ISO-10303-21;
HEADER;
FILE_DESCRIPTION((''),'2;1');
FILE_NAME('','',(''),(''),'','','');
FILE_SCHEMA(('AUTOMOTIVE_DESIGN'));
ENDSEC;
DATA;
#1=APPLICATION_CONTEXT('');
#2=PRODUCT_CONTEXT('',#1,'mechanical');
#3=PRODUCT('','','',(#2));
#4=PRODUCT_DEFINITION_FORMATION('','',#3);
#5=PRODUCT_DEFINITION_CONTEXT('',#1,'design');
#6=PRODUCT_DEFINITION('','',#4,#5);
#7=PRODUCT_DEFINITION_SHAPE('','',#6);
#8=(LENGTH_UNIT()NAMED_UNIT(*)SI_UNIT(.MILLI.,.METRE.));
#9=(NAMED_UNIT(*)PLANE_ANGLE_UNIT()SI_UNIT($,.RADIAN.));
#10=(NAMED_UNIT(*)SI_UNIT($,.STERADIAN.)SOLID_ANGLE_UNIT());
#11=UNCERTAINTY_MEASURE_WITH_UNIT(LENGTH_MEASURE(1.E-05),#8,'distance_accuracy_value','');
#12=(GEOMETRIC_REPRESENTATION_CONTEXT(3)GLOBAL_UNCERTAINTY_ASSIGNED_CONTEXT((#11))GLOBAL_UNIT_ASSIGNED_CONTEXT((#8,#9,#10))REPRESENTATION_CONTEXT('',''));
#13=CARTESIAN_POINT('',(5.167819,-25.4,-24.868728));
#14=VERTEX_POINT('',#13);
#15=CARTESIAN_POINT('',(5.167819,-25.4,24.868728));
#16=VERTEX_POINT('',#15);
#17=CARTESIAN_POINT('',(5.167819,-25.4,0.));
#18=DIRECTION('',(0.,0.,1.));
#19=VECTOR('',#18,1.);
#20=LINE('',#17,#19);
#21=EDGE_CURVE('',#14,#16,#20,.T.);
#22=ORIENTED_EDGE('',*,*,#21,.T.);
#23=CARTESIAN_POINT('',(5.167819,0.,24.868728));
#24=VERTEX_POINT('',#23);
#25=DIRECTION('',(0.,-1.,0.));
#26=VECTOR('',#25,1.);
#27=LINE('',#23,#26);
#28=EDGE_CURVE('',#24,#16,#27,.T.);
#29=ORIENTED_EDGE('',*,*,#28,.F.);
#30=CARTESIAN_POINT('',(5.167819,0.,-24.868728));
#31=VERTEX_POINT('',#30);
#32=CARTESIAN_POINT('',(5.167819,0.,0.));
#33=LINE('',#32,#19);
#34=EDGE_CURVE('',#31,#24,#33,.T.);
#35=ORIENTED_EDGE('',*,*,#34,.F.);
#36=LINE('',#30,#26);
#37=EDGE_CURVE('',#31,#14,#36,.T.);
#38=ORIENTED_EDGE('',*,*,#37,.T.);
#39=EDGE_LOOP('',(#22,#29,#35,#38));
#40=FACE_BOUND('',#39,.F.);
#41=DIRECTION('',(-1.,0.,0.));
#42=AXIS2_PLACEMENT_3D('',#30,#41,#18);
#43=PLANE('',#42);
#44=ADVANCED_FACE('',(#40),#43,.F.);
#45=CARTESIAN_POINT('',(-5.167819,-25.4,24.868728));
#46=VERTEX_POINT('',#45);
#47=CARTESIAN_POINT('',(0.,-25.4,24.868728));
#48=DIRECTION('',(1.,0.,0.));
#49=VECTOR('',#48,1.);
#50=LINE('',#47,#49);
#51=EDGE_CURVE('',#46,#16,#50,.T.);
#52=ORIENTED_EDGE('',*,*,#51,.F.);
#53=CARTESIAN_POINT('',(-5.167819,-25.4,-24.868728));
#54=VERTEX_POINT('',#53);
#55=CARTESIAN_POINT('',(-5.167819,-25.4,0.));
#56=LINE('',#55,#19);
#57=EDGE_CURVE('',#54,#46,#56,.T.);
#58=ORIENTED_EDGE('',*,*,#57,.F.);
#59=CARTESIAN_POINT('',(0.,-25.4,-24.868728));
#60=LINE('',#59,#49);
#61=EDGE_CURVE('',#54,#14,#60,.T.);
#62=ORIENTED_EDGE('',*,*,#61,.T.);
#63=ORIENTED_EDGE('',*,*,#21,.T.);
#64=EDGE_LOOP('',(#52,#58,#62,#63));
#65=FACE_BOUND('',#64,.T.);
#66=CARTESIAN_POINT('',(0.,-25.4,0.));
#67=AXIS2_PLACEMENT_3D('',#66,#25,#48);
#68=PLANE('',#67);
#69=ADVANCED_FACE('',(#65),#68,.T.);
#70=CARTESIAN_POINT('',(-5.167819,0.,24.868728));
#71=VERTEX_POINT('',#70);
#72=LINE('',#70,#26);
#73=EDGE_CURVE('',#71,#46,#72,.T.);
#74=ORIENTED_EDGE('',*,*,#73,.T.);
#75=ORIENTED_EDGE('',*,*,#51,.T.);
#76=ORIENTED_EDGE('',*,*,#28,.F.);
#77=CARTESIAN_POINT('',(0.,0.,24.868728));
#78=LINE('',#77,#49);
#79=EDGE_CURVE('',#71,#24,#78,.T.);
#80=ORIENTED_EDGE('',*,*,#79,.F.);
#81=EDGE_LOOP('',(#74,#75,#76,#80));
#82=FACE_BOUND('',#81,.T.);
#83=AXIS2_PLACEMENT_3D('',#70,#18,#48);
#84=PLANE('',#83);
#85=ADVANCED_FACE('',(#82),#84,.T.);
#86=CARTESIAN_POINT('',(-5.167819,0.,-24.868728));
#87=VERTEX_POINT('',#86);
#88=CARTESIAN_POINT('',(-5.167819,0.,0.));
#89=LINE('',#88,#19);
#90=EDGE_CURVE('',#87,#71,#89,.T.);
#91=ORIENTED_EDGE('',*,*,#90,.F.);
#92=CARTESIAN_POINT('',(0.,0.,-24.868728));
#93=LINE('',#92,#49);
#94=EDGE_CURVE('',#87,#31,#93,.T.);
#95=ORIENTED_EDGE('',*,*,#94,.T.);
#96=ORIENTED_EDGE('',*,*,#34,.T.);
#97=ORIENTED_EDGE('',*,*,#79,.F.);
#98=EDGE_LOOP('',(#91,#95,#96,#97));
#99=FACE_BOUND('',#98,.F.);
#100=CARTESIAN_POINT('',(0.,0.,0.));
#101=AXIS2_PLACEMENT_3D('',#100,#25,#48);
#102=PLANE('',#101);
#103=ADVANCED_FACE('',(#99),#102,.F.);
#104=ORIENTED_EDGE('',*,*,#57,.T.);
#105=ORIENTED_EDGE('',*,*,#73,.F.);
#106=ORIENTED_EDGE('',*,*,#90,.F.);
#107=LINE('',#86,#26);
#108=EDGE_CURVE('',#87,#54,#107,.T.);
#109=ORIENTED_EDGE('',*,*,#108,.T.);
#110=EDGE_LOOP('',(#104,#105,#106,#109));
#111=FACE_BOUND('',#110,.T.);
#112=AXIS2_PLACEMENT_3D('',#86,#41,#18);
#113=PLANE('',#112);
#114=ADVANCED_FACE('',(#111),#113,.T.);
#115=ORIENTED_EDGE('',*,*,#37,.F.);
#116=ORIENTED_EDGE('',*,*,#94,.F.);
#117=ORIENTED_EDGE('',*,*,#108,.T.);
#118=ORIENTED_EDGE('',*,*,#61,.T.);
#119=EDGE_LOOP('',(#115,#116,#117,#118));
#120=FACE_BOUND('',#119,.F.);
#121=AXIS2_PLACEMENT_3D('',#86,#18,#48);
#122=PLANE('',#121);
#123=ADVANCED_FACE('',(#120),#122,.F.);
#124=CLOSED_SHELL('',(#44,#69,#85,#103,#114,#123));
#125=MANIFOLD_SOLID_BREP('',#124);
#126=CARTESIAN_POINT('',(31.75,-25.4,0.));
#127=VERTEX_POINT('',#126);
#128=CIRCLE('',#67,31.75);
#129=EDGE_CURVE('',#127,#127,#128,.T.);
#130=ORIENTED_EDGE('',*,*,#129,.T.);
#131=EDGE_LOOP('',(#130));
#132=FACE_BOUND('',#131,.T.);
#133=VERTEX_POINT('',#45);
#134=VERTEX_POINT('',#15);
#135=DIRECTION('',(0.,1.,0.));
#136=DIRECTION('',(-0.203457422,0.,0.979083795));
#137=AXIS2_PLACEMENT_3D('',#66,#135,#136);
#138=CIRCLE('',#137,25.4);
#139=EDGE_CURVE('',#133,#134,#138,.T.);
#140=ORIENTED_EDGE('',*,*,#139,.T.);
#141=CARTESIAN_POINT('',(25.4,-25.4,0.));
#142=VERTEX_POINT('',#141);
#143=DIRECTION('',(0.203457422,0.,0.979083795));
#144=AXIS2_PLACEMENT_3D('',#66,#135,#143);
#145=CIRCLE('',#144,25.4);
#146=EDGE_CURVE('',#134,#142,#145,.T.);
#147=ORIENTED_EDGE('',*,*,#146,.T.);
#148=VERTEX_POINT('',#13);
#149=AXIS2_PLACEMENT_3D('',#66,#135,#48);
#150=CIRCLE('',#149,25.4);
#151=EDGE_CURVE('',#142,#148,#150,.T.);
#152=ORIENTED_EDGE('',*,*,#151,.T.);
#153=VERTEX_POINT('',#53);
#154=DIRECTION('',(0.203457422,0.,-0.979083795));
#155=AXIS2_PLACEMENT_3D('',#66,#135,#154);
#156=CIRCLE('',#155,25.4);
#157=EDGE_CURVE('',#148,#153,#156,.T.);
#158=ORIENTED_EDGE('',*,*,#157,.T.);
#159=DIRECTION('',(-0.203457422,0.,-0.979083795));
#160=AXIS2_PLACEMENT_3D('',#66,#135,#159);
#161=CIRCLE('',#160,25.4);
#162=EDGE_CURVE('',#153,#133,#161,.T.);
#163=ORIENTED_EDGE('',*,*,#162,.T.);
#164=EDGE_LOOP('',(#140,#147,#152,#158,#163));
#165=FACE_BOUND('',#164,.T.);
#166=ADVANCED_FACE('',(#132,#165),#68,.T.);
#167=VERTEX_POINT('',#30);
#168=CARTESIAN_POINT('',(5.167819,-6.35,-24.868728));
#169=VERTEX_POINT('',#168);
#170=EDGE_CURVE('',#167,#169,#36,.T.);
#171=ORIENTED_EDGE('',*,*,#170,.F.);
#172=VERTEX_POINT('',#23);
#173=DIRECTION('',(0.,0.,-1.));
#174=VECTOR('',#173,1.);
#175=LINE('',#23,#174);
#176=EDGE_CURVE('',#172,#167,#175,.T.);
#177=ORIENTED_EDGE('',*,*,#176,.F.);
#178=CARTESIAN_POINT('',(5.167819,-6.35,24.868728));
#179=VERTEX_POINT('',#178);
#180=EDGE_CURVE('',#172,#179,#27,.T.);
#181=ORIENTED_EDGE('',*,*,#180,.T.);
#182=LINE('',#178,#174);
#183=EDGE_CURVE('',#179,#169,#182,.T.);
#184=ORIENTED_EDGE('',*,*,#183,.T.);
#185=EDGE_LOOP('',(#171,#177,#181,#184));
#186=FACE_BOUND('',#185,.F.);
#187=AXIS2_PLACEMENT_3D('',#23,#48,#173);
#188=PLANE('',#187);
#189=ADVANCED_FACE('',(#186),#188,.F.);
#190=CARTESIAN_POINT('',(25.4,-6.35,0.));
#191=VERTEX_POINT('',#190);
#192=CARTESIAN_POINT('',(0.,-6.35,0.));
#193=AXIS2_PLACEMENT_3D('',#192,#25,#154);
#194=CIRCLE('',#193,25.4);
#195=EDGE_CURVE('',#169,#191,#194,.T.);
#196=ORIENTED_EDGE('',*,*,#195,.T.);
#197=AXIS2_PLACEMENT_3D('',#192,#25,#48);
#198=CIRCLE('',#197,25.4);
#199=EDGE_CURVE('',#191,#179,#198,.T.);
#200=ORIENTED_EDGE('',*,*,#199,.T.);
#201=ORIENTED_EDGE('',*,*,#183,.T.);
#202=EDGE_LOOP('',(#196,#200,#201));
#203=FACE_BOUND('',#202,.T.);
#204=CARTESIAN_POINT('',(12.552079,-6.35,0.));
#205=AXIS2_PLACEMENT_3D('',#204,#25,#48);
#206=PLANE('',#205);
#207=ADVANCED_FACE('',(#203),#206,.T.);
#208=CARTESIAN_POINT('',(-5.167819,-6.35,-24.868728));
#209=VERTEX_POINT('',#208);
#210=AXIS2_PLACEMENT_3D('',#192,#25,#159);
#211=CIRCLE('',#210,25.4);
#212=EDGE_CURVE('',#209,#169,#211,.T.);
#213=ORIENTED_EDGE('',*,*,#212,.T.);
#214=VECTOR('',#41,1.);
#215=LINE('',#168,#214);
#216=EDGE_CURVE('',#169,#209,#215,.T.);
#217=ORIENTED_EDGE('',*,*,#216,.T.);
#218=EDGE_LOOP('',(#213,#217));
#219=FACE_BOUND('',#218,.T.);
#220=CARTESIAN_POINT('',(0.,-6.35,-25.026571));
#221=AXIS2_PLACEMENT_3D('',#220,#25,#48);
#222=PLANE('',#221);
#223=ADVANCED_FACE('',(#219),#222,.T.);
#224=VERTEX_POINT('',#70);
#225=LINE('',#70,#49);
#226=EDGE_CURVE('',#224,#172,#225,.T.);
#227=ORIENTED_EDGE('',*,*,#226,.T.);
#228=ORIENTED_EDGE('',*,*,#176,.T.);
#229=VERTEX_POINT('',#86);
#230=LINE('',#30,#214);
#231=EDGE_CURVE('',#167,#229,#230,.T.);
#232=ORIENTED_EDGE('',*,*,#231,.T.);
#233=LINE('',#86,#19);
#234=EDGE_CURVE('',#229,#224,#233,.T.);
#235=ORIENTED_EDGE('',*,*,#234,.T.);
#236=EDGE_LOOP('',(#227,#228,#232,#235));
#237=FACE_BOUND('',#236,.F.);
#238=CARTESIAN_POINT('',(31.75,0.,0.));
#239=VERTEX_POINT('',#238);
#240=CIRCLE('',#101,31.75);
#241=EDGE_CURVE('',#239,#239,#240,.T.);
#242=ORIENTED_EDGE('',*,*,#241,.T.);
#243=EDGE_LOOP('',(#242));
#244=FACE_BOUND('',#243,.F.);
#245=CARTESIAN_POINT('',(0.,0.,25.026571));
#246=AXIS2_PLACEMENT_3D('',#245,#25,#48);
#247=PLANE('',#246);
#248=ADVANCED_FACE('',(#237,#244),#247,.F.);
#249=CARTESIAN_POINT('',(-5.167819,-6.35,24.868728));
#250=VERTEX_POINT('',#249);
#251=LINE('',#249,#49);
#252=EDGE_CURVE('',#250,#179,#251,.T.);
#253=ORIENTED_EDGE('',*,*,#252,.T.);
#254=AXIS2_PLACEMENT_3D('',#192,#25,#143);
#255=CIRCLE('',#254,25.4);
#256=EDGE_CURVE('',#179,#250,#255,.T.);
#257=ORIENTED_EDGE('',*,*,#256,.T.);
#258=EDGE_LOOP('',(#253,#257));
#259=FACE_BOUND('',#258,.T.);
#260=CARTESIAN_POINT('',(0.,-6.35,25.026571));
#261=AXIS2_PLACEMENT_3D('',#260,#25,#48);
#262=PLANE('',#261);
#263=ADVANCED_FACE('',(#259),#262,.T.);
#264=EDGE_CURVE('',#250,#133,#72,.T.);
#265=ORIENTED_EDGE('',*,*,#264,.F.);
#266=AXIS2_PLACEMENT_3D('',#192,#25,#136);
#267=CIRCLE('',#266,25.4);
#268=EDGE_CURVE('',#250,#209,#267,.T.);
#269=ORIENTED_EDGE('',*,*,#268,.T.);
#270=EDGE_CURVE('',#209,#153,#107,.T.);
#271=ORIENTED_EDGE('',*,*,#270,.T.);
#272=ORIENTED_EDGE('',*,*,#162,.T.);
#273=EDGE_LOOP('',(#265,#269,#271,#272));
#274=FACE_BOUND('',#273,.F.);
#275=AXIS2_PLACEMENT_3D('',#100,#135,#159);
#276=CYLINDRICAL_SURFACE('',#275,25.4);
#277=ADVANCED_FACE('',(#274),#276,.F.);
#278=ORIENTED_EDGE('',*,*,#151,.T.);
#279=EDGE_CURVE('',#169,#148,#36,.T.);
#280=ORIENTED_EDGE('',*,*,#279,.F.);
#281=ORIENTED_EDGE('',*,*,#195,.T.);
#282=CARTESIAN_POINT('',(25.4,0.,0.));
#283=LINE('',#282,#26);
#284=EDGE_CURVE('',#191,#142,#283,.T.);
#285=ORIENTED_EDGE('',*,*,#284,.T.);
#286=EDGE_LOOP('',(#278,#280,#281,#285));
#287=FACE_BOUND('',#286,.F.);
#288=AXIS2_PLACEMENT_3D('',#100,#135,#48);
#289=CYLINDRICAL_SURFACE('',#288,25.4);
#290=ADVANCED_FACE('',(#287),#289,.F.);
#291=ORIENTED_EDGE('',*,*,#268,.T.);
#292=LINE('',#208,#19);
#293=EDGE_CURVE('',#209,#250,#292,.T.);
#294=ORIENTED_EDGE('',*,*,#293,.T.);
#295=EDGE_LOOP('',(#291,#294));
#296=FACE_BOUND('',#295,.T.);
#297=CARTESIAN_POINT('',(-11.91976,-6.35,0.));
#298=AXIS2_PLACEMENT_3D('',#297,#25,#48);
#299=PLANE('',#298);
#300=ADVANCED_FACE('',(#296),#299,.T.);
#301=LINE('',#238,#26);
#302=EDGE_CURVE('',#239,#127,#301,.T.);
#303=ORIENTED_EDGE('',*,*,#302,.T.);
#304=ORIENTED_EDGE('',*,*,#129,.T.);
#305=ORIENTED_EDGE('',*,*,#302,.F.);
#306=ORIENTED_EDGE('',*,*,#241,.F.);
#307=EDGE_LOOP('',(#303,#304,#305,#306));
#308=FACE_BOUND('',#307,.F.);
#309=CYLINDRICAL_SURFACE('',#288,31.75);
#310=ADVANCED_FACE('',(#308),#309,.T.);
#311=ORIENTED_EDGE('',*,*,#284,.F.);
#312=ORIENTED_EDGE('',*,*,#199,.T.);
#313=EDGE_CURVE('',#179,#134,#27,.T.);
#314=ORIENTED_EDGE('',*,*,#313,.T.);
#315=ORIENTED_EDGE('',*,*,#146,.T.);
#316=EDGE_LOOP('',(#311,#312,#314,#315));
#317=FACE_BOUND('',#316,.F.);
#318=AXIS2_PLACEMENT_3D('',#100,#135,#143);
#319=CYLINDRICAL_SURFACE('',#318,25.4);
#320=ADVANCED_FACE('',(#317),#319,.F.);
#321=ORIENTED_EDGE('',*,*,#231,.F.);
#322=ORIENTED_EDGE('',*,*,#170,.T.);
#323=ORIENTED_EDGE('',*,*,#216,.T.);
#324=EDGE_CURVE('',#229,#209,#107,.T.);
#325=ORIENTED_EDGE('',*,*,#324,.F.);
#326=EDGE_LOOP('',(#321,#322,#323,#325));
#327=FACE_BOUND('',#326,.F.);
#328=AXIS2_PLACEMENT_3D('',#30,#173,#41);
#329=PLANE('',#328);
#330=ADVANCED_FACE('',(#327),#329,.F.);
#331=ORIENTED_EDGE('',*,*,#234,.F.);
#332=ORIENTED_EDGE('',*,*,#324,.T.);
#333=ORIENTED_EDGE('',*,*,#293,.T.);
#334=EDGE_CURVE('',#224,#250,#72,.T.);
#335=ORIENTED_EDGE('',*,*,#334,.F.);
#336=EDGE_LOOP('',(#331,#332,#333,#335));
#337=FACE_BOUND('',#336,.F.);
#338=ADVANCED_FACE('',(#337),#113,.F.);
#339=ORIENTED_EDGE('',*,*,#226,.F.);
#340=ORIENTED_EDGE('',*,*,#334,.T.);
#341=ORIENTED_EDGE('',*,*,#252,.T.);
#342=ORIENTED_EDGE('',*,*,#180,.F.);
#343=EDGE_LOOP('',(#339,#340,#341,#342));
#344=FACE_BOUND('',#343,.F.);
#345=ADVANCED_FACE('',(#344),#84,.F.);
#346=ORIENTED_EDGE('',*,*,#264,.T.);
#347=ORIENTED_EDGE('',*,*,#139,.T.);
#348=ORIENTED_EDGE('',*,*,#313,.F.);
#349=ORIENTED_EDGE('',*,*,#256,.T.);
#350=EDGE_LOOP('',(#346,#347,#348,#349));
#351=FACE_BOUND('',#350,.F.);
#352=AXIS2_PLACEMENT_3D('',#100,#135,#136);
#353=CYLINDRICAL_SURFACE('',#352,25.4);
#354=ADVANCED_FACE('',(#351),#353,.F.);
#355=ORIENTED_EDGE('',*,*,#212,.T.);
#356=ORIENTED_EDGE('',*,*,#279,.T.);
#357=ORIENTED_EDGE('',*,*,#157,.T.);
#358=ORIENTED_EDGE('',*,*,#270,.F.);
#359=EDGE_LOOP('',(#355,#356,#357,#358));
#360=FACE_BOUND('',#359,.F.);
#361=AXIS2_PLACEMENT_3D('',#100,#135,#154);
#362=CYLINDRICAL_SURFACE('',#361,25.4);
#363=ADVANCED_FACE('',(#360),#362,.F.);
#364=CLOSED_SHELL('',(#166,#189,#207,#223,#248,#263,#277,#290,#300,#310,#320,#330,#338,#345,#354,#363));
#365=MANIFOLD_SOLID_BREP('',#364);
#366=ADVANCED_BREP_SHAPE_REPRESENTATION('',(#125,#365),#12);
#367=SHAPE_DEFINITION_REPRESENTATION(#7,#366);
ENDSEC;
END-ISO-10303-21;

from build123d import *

# Parameters (mm, degrees)
F0_R     = 31.75
F1_DEPTH = 25.4
F2_DEPTH = 6.35
F0_W     = 10.3356370534
F0_H     = 49.7374567776
F3_DEPTH = 25.4


with BuildPart() as f1:
    # F0 (on Front) → F1 (new body)
    with BuildSketch(Plane.XZ):
        Circle(F0_R)
        with BuildLine():
            ThreePointArc((5.1678185267, 24.8687283888), (19.7030783201, 16.0296196059), (25.4, 0))
            ThreePointArc((25.4, 0), (19.7030783201, -16.0296196059), (5.1678185267, -24.8687283888))
            ThreePointArc((5.1678185267, -24.8687283888), (0, -25.4), (-5.1678185267, -24.8687283888))
            ThreePointArc((-5.1678185267, -24.8687283888), (-25.4, 0), (-5.1678185267, 24.8687283888))
            ThreePointArc((-5.1678185267, 24.8687283888), (0, 25.4), (5.1678185267, 24.8687283888))
        make_face(mode=Mode.SUBTRACT)
    extrude(amount=F1_DEPTH)

    # F0 (on Front) → F2 (join)
    with BuildSketch(Plane.XZ):
        with BuildLine():
            Line((-5.1678185267, 24.8687283888), (5.1678185267, 24.8687283888))
            ThreePointArc((5.1678185267, 24.8687283888), (0, 25.4), (-5.1678185267, 24.8687283888))
        make_face()
        with BuildLine():
            Line((-5.1678185267, -24.8687283888), (-5.1678185267, 24.8687283888))
            ThreePointArc((-5.1678185267, 24.8687283888), (-25.4, 0), (-5.1678185267, -24.8687283888))
        make_face()
        with BuildLine():
            ThreePointArc((-5.1678185267, -24.8687283888), (0, -25.4), (5.1678185267, -24.8687283888))
            Line((5.1678185267, -24.8687283888), (-5.1678185267, -24.8687283888))
        make_face()
        with BuildLine():
            ThreePointArc((5.1678185267, -24.8687283888), (19.7030783201, -16.0296196059), (25.4, 0))
            ThreePointArc((25.4, 0), (19.7030783201, 16.0296196059), (5.1678185267, 24.8687283888))
            Line((5.1678185267, 24.8687283888), (5.1678185267, -24.8687283888))
        make_face()
    extrude(amount=F2_DEPTH)


with BuildPart() as f3:
    # F0 (on Front) → F3 (new body)
    with BuildSketch(Plane.XZ):
        Rectangle(F0_W, F0_H)
    extrude(amount=F3_DEPTH)


solid = Compound([f1.part, f3.part])
